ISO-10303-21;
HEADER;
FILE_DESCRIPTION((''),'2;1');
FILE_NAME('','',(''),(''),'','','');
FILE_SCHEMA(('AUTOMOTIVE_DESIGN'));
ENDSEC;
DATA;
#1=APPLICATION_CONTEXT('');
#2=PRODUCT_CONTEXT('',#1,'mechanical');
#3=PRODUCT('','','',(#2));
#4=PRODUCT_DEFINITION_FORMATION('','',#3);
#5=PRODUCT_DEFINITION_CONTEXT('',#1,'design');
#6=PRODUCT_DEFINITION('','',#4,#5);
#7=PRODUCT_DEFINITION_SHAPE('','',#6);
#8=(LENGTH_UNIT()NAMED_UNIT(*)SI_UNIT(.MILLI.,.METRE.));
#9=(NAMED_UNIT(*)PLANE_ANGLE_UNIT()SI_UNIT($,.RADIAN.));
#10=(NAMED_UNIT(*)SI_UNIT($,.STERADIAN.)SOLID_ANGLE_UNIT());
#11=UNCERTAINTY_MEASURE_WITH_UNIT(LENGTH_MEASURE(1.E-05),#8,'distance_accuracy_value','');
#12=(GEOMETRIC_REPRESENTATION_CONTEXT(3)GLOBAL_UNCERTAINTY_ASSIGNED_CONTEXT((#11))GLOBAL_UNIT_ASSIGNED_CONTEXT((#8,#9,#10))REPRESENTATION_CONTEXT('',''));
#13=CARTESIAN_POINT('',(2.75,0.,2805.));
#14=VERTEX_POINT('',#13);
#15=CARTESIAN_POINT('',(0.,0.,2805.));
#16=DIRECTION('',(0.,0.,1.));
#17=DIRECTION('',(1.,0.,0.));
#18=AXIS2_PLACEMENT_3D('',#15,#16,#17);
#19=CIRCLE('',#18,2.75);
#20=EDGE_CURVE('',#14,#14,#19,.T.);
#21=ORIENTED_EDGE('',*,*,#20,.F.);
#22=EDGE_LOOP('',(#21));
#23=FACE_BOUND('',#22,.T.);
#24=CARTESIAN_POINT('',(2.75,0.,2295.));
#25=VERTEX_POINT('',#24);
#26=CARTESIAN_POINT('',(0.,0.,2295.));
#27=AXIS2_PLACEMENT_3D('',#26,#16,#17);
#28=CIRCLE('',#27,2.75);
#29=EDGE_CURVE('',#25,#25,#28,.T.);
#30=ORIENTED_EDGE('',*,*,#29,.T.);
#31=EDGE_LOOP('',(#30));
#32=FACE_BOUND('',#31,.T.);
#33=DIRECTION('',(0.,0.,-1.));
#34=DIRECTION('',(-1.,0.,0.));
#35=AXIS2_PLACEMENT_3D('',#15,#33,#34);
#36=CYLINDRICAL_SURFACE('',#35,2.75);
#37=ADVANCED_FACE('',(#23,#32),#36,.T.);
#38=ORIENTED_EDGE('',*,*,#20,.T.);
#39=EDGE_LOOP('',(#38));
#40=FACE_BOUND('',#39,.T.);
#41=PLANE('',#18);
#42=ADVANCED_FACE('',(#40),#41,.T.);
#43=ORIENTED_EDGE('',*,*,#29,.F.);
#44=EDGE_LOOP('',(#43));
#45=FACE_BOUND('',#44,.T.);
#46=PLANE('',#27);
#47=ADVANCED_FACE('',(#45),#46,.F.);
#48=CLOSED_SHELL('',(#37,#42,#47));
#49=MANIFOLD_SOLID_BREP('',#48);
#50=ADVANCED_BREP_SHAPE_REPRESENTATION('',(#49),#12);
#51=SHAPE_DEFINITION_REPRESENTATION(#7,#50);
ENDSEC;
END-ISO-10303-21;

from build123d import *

# Parameters (mm, degrees)
SKETCH1_R           = 27.5
BOSS_EXTRUDE1_DEPTH = 5100
SCALE1_SCALE        = 0.1


with BuildPart() as part:
    # Sketch1 → Boss-Extrude1 (new body)
    with BuildSketch(Plane.XY):
        Circle(SKETCH1_R)
    extrude(amount=BOSS_EXTRUDE1_DEPTH)


with BuildPart() as part_1:
    # Scale1: scaled about (0, 0, 2550)
    add(part.part.scale(SCALE1_SCALE).moved(Location((0, 0, 2295))))


solid = part_1.part
